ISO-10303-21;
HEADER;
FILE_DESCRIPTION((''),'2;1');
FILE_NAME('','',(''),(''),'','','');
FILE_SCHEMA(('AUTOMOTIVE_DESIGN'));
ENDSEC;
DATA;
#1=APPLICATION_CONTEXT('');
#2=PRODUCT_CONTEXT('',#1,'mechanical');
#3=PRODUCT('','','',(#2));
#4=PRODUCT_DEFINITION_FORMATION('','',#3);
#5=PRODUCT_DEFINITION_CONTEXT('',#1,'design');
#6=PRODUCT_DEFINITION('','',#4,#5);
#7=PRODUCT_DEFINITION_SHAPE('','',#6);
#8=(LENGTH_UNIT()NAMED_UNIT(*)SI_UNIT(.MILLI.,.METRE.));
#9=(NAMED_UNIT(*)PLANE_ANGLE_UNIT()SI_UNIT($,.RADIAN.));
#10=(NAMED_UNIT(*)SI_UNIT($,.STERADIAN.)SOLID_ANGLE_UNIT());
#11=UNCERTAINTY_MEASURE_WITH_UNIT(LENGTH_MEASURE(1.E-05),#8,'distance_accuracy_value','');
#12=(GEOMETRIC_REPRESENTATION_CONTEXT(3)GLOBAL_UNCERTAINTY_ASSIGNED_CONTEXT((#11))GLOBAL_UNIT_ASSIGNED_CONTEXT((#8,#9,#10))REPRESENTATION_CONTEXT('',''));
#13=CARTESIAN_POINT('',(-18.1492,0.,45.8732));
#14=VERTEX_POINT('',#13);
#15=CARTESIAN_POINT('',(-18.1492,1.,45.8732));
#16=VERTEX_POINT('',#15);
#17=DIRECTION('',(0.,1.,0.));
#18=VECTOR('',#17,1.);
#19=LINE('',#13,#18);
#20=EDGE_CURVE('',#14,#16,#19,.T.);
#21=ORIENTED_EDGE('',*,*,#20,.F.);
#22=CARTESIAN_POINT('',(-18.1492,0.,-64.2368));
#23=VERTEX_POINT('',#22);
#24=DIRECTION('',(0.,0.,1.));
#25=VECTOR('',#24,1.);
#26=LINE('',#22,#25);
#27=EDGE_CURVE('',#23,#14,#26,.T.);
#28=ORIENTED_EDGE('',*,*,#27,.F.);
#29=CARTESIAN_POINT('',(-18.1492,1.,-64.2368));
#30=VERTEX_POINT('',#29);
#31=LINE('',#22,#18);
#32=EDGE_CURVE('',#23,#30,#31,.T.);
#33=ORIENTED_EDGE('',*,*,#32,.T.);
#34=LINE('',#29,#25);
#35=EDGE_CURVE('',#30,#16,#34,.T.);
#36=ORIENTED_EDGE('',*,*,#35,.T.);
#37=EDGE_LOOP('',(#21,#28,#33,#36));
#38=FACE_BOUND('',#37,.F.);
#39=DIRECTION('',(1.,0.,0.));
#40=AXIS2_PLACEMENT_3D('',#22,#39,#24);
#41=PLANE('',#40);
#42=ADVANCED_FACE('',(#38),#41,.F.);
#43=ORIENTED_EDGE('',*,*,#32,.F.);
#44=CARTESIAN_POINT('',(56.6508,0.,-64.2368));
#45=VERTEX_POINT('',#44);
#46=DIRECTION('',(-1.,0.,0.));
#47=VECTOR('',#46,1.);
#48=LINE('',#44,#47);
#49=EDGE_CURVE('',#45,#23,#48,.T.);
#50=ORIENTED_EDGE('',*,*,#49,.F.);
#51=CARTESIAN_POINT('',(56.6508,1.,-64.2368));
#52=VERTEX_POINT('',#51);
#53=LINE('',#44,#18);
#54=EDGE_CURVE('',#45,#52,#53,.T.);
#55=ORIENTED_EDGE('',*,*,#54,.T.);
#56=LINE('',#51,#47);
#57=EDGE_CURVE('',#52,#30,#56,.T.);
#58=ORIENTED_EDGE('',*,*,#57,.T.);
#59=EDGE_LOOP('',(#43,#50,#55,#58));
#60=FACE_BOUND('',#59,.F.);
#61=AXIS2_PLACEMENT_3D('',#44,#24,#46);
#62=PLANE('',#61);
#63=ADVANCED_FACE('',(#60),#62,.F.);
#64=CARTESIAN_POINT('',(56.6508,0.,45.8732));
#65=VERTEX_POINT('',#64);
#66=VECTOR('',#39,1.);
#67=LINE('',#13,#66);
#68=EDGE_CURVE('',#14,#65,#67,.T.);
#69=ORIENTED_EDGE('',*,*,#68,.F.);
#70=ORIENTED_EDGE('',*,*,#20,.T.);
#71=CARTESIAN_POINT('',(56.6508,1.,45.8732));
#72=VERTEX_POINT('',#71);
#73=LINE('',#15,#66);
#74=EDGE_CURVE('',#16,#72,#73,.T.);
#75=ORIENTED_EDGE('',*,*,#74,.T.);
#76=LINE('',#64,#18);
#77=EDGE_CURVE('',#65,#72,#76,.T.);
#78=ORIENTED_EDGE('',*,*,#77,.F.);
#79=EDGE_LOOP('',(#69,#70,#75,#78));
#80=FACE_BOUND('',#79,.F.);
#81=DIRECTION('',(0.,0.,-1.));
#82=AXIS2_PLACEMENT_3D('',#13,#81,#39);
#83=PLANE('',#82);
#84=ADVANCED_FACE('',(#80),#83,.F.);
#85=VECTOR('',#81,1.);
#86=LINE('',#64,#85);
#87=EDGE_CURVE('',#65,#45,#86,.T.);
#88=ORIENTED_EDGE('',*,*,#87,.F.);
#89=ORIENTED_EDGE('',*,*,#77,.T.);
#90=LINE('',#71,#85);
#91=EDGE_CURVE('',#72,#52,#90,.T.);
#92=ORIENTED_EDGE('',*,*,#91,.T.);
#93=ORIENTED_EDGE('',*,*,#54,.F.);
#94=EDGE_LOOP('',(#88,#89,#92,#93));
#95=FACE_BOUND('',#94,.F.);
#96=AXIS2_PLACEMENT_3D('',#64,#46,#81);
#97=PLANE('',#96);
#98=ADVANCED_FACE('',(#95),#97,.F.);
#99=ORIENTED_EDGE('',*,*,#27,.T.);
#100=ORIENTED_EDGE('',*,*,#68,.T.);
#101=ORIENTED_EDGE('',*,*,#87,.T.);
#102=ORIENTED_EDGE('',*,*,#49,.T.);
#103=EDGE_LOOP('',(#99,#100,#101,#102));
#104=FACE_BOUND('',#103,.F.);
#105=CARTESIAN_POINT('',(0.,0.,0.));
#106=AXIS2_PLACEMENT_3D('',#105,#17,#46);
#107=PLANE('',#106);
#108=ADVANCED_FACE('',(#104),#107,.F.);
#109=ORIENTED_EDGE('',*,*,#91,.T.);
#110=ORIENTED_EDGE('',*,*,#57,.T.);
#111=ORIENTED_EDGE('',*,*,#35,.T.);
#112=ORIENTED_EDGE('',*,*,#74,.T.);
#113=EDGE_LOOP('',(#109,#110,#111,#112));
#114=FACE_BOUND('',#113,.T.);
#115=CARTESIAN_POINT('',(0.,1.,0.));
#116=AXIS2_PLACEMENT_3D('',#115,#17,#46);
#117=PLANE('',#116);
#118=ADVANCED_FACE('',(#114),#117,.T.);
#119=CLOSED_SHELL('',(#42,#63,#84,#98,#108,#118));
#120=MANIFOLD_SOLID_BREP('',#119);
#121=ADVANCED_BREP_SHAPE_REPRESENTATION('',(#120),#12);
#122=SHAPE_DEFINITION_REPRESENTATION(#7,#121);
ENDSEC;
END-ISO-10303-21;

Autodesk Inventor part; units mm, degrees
ref_plane "YZ Plane" through (0, 0, 0) normal (1, 0, 0) x (0, 1, 0)
ref_plane "XZ Plane" through (0, 0, 0) normal (0, 1, 0) x (-1, 0, 0)
ref_plane "XY Plane" through (0, 0, 0) normal (0, 0, 1) x (1, 0, 0)
sketch "Sketch1" plane through (0, 0, 0) normal (0, 1, 0) x (-1, 0, 0)
  line L0 (18.1492, 45.8732) -> (-56.6508, 45.8732)
  line L1 (-56.6508, 45.8732) -> (-56.6508, -64.2368)
  line L2 (-56.6508, -64.2368) -> (18.1492, -64.2368)
  line L3 (18.1492, -64.2368) -> (18.1492, 45.8732)
  point P0 (0, 0)
  dimension "d0" = 110.11
  dimension "d1" = 74.8
extrude "Extrusion1" add sketch "Sketch1" along normal blind 1
sketch "Sketch2" plane through (0, 1, 0) normal (0, 1, 0) x (1, 0, 0)
  line L0 (-18.1492, -45.8732) -> (-18.1492, 64.2368) construction
  line L1 (-18.1492, 64.2368) -> (56.633, 64.2368) construction
  line L2 (56.633, 64.2368) -> (56.633, -45.8732) construction
  line L3 (56.633, -45.8732) -> (-18.1492, -45.8732) construction
  point P0 (0, 0)
  dimension "d6" = 110.11
decal "Decal1"
sketch "Sketch3" plane through (0, 0, 0) normal (0, -1, 0) x (1, 0, 0)
  point P0 (0, 0)
properties part number "Buttom Case"
